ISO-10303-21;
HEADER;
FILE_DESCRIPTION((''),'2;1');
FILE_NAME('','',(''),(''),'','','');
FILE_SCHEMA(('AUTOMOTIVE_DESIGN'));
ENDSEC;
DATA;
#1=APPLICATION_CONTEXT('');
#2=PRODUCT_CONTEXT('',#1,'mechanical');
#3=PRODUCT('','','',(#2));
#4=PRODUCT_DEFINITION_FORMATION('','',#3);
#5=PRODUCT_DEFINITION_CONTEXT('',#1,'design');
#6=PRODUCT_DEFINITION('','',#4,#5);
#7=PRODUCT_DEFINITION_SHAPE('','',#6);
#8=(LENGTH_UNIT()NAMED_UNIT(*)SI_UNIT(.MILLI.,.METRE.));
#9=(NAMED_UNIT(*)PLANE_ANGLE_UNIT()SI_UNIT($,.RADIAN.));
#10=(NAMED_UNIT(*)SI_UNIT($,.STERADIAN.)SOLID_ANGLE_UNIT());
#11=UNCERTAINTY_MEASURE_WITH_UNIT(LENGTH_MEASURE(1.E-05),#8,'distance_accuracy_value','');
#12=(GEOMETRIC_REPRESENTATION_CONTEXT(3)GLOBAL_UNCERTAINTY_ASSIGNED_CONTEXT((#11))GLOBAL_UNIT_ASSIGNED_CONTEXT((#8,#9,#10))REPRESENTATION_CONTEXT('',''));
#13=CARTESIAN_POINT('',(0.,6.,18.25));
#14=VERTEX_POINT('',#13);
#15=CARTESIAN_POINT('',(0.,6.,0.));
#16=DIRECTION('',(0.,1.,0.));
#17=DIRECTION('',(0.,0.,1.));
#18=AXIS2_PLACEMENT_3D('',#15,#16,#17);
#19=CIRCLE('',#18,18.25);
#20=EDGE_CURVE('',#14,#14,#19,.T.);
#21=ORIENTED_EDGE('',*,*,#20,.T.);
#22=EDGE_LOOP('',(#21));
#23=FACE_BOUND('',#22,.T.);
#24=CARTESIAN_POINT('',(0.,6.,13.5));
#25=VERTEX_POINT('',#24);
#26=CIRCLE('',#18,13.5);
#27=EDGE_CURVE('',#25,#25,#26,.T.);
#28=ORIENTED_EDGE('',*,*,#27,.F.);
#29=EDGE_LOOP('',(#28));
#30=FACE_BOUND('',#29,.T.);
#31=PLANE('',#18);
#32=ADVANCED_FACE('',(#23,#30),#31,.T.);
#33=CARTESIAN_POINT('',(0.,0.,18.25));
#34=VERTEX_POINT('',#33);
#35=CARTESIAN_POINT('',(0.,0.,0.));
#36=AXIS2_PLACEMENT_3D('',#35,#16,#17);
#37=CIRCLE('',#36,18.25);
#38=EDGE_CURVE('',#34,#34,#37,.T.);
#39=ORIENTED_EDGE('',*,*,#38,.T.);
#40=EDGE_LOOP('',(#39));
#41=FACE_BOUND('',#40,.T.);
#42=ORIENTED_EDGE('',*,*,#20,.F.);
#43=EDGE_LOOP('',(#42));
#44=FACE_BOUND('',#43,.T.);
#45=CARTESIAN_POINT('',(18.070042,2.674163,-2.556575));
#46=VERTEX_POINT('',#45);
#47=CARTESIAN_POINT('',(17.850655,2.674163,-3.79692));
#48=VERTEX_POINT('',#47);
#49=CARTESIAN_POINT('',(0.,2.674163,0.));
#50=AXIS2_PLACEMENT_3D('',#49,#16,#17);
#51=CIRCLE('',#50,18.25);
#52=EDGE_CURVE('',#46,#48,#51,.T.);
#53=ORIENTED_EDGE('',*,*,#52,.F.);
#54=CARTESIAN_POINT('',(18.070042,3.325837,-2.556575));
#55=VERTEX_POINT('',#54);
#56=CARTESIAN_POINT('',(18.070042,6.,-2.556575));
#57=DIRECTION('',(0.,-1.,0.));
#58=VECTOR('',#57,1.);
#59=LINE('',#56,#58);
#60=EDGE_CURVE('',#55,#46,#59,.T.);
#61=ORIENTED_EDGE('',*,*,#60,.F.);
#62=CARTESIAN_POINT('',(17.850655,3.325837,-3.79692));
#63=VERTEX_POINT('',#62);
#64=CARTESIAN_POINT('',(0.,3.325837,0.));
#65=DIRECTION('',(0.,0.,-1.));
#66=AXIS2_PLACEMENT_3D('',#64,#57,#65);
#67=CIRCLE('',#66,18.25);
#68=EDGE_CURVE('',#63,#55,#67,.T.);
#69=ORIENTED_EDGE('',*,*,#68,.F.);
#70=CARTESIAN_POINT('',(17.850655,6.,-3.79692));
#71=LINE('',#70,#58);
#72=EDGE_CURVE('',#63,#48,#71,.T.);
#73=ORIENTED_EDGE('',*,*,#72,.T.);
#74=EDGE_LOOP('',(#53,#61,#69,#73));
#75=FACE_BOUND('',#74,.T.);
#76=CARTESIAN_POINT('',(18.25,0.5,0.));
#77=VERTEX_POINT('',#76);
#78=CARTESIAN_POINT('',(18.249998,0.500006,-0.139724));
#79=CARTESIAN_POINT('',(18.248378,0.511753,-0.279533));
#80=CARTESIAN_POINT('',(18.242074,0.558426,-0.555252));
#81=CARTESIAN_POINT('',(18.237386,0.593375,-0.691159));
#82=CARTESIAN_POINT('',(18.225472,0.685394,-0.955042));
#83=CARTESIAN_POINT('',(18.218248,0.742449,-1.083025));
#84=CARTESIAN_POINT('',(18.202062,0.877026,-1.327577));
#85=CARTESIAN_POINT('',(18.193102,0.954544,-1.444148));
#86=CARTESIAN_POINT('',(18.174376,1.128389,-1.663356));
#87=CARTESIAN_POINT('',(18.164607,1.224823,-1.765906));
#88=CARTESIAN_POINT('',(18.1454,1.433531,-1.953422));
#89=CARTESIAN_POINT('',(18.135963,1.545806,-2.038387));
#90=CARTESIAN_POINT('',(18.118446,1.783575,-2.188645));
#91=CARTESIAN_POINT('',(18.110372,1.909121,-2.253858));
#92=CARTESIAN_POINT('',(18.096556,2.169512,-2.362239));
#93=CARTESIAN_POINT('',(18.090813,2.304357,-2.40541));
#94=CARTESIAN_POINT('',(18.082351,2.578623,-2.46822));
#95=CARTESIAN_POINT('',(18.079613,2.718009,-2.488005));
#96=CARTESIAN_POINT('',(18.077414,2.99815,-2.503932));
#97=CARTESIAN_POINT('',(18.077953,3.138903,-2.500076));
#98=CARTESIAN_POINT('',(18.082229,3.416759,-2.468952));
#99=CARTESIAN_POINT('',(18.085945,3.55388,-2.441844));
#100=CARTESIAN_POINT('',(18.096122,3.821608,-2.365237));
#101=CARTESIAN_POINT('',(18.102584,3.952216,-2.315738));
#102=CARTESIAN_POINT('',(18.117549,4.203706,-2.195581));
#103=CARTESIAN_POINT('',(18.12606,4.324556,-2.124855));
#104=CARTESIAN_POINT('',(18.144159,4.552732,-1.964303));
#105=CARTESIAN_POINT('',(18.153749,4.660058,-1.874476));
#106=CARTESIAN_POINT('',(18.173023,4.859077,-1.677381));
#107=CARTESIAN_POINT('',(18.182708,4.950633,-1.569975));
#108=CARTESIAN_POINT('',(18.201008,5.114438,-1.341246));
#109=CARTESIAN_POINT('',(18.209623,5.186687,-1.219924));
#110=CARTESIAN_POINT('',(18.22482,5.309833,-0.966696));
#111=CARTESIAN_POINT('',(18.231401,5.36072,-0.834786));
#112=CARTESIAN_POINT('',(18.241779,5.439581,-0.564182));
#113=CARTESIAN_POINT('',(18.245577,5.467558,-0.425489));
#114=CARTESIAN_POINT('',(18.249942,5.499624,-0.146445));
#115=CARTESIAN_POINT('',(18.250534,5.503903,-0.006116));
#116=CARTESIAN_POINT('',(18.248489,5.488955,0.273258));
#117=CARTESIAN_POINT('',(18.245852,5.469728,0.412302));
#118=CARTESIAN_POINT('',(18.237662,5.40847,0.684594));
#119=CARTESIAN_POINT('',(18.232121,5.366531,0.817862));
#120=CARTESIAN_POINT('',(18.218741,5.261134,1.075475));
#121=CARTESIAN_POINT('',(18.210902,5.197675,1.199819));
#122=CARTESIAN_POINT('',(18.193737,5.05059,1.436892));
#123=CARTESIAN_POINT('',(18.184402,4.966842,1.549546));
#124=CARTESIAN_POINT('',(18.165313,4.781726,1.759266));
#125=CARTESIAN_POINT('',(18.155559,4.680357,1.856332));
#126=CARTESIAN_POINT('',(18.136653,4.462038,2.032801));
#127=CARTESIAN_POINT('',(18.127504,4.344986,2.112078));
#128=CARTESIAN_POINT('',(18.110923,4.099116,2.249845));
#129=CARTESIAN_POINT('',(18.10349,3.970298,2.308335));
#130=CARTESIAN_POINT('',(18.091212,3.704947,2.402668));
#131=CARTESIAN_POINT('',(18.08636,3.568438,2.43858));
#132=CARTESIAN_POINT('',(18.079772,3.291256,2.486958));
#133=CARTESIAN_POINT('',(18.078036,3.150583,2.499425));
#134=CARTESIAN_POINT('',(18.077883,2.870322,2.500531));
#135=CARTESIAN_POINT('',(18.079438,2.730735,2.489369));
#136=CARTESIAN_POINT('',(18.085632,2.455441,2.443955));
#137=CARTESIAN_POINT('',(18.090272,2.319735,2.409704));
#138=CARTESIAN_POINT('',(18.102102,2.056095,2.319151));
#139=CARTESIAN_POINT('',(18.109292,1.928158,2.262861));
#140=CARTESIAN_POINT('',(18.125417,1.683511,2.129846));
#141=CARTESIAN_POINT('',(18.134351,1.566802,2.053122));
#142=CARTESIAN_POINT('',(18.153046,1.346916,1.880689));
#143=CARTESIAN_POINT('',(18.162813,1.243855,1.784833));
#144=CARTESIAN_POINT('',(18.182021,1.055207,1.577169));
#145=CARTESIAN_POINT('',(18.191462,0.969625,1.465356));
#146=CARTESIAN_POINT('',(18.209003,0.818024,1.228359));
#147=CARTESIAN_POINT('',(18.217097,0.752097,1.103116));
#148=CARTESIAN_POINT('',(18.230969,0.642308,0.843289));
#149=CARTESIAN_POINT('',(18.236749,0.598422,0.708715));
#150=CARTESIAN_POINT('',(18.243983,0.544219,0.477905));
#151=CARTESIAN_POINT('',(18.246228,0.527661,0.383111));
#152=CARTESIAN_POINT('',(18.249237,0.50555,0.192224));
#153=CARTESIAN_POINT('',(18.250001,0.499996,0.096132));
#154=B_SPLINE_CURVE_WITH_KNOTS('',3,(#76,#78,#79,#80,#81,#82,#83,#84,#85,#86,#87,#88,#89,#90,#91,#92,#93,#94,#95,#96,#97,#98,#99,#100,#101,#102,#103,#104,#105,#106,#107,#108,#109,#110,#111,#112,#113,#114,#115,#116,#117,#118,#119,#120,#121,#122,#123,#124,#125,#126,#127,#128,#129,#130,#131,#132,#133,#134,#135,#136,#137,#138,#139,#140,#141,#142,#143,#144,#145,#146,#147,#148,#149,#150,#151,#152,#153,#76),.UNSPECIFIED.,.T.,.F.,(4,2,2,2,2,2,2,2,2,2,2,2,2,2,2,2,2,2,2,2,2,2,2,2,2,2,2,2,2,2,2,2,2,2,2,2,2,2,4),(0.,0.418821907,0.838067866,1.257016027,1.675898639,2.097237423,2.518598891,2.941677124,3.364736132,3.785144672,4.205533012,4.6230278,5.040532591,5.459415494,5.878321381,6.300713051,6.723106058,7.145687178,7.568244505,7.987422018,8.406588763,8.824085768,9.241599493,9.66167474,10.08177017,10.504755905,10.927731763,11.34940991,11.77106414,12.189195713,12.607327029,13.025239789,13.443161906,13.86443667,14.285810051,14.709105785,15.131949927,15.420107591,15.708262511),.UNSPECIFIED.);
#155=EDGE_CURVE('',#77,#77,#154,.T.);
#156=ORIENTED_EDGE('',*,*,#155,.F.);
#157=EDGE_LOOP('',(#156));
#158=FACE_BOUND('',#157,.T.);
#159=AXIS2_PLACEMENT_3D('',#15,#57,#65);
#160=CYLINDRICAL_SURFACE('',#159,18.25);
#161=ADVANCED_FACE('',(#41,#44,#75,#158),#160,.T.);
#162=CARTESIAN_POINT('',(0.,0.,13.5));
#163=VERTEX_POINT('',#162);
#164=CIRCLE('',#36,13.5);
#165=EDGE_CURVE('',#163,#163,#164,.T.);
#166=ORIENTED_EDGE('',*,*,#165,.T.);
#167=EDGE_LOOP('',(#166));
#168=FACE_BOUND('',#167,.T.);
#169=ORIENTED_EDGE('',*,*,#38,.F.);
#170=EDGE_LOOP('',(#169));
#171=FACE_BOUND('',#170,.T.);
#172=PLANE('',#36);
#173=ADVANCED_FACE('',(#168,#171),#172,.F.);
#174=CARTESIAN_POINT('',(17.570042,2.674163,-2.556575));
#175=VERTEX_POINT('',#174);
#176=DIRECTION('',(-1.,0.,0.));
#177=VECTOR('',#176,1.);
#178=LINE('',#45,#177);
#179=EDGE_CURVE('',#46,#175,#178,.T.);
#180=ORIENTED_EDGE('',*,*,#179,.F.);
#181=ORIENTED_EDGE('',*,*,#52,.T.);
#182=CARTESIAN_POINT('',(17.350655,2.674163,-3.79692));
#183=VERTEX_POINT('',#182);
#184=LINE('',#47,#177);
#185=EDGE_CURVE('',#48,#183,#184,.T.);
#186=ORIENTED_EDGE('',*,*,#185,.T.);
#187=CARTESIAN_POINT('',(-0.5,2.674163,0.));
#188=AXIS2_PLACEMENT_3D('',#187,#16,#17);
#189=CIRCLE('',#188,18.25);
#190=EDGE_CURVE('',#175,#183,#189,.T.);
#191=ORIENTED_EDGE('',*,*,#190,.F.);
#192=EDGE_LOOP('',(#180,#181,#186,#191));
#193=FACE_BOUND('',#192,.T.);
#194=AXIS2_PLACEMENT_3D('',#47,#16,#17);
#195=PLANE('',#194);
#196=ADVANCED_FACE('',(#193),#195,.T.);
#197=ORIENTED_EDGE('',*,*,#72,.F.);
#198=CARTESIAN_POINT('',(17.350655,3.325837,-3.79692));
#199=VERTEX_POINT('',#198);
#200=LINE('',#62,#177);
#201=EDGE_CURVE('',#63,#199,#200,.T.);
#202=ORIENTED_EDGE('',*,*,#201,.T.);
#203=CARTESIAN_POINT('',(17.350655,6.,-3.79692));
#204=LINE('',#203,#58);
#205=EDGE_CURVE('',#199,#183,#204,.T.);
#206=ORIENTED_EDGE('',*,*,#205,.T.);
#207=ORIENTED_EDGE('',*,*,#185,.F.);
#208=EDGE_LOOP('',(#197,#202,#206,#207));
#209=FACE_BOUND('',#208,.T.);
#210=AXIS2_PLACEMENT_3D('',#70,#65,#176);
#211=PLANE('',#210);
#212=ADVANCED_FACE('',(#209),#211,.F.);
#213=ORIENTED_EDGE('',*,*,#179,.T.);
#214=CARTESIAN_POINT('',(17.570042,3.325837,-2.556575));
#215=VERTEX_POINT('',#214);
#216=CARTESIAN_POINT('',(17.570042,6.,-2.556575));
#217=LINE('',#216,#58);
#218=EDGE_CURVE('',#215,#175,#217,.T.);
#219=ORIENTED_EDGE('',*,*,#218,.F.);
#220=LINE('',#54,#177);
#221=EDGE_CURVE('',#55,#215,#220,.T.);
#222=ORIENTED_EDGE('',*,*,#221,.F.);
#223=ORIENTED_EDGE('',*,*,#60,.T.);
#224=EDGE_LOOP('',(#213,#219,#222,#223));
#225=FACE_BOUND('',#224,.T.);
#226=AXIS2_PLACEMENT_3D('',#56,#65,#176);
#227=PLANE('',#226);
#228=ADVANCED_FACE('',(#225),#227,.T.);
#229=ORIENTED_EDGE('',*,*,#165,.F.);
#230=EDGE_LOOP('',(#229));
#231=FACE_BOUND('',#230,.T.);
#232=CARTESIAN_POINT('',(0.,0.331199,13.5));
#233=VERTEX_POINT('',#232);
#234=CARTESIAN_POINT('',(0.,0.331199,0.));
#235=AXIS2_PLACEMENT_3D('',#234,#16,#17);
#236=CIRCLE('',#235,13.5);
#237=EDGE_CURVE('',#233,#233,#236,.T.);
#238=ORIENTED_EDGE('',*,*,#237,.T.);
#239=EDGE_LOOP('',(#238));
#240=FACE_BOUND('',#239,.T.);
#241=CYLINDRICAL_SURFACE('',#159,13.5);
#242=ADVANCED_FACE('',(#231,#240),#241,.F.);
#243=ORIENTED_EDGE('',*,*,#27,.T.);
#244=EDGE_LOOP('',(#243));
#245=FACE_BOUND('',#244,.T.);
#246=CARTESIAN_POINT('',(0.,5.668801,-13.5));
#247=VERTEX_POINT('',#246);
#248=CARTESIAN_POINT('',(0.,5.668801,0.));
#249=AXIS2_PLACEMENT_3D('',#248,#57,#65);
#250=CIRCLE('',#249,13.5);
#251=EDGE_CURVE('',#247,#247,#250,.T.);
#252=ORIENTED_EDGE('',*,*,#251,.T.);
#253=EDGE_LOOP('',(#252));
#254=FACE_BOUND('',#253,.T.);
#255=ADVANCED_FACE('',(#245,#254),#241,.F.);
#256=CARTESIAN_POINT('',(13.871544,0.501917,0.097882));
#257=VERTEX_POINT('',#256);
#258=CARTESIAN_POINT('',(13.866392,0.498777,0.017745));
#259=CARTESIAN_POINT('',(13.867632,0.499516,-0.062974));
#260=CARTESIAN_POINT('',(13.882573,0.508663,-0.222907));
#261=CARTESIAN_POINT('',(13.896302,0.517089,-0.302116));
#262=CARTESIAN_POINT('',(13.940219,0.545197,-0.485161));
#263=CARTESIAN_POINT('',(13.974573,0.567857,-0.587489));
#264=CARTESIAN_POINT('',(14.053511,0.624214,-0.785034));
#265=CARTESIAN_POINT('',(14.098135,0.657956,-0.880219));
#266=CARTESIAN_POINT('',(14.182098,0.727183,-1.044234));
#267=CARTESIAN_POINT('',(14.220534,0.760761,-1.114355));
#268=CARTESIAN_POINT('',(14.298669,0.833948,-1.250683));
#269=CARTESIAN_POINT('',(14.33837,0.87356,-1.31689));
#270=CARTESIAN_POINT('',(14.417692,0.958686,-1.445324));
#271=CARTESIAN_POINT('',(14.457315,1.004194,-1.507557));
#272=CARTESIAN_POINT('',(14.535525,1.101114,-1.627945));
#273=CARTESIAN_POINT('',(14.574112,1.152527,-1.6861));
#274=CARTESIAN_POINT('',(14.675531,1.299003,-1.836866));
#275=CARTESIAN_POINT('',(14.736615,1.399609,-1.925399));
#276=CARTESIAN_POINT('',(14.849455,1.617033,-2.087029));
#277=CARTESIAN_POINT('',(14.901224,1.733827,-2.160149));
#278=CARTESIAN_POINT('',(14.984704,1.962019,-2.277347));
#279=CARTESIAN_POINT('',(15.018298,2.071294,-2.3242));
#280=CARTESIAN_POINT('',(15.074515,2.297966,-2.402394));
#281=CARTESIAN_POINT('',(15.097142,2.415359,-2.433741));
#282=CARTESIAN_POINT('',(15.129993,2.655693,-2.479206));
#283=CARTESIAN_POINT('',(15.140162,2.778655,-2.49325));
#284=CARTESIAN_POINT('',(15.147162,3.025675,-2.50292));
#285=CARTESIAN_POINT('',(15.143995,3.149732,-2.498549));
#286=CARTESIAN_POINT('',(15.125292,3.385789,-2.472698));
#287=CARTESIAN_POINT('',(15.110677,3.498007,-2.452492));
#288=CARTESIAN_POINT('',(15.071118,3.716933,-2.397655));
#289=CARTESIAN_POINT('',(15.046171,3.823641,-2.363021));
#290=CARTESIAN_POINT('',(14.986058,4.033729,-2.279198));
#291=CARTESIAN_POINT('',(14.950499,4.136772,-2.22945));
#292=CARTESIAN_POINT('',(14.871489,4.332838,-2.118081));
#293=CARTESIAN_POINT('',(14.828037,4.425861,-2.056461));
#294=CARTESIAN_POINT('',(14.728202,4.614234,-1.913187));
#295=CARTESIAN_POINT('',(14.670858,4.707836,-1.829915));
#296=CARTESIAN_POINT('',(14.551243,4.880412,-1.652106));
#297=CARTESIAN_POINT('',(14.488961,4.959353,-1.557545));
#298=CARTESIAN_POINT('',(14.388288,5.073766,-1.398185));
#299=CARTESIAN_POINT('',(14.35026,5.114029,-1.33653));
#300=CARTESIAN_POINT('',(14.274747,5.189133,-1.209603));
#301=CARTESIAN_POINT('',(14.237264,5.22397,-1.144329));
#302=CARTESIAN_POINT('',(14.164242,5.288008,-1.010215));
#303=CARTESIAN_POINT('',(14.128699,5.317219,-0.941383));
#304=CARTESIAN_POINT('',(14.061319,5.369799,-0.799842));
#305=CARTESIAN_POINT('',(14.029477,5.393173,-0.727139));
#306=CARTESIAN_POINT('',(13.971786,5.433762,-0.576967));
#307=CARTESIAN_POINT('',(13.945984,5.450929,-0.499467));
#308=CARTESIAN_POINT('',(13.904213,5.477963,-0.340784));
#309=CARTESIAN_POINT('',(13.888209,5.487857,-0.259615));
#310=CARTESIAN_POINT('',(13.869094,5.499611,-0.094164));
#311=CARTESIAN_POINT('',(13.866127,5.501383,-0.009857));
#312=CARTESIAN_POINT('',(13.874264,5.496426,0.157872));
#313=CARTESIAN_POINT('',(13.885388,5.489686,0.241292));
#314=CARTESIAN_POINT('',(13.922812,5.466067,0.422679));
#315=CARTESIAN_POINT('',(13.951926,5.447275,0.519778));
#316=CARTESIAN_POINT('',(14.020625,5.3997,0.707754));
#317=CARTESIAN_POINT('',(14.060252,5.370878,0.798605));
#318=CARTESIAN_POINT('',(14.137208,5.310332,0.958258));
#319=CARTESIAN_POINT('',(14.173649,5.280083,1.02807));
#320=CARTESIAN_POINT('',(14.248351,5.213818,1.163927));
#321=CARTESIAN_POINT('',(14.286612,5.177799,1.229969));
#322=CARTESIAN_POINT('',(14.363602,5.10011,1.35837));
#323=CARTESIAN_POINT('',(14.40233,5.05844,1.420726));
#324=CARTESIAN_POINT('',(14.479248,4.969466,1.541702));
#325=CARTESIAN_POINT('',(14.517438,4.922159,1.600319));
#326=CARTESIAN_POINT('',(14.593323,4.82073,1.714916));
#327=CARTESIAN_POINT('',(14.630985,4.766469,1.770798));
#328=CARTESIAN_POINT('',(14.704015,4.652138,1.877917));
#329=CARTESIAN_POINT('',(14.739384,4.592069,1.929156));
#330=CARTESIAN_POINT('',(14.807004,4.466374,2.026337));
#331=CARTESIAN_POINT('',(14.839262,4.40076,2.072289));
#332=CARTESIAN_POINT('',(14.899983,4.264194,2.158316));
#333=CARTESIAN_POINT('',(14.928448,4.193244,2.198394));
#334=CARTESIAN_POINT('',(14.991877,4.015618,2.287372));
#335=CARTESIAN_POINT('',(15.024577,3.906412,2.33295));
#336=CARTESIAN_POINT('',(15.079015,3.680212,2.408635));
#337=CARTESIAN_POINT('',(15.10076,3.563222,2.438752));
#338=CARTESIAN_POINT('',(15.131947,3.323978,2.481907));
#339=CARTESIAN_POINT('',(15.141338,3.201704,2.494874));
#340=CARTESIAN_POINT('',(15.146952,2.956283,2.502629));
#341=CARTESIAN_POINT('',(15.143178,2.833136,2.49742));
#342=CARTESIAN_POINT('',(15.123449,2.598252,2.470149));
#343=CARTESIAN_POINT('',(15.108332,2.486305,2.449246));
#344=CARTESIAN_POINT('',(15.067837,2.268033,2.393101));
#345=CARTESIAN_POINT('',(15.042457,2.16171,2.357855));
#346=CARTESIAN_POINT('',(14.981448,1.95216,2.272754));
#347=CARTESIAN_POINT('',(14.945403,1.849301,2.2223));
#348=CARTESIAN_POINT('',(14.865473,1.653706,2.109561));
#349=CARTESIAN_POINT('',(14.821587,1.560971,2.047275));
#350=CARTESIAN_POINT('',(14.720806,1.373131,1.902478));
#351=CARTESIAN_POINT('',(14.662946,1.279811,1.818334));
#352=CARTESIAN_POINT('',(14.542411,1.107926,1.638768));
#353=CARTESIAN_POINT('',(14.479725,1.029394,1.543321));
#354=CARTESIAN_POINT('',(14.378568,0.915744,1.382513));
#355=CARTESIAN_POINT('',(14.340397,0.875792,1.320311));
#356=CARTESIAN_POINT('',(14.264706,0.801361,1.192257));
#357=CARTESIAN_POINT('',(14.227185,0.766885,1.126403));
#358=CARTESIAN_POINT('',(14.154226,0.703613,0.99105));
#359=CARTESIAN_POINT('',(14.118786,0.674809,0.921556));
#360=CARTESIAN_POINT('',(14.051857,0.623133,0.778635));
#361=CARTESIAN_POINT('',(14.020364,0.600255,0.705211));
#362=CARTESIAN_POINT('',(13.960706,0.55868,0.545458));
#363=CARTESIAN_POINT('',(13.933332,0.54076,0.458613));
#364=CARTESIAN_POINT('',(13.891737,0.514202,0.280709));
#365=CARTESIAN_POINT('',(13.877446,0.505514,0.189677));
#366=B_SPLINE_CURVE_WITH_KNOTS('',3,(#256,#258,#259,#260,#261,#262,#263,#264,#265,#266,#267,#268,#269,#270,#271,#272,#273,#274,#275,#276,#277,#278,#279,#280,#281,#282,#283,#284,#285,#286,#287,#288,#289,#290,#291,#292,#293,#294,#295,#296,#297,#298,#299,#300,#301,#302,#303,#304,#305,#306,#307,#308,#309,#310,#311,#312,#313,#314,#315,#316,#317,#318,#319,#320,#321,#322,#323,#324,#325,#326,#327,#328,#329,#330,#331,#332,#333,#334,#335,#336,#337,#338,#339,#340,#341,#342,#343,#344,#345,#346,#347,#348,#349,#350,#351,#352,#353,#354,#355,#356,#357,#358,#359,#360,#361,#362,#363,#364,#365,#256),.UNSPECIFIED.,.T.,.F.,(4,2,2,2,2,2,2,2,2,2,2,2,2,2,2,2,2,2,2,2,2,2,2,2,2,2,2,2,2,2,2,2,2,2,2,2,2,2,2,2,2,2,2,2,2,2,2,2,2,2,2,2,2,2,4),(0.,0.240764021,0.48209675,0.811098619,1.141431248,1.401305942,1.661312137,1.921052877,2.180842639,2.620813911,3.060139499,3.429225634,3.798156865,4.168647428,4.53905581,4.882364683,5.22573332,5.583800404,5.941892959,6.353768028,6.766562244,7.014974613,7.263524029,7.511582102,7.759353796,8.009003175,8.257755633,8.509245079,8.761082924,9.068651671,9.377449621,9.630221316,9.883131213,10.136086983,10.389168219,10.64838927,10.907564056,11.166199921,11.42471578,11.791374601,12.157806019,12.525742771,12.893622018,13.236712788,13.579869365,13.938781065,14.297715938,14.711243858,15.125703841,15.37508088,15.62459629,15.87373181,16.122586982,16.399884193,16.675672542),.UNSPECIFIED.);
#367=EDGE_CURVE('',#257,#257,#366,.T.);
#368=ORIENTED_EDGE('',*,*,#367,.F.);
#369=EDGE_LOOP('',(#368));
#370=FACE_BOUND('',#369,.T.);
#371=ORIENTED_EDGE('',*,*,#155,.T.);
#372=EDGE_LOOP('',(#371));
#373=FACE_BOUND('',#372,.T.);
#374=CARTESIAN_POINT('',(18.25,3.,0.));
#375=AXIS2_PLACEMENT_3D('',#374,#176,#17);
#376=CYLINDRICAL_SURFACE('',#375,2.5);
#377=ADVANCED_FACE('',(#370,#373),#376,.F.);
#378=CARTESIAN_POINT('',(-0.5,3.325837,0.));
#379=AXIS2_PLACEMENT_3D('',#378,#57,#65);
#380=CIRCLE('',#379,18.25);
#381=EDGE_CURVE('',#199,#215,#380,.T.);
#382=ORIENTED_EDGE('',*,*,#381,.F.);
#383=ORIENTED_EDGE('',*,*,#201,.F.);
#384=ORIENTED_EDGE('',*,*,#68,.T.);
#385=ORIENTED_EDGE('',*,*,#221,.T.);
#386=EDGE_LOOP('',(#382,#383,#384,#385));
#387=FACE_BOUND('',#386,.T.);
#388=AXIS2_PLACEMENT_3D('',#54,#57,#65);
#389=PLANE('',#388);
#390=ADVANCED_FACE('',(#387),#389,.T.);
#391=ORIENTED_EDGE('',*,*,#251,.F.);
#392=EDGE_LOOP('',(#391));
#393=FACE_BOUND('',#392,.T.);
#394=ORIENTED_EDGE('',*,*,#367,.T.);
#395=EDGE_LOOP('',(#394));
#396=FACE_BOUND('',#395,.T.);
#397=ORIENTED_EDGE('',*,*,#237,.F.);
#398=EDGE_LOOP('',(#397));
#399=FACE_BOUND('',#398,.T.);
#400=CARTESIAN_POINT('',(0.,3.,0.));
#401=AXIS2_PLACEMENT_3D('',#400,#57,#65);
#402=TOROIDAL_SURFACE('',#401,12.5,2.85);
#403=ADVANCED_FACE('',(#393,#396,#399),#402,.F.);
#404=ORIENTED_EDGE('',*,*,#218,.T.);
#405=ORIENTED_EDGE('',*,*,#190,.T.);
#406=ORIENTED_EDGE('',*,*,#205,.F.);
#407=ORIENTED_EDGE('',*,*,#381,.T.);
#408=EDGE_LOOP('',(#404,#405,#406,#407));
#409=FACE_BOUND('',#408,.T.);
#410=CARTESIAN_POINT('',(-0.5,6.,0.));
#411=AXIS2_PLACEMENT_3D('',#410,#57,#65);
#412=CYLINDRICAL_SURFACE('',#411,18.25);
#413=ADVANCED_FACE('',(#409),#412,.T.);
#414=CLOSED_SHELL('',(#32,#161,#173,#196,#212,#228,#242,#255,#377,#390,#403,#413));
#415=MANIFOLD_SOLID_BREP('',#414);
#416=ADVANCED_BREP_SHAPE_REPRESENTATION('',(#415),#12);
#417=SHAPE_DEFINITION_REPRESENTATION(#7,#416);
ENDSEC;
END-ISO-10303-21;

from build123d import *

# Parameters (mm, degrees)
SKETCH1_R                 = 18.25
SKETCH1_R_2               = 13.5
BOSS_EXTRUDE1_DEPTH       = 6
SKETCH3_R                 = 2.85
SKETCH4_R                 = 2.5
CUT_EXTRUDE1_DEPTH        = 27.497641404
CUT_EXTRUDE1_DEPTH_BACK   = 10
CUT_EXTRUDE2_REACH        = 28.998
CUT_EXTRUDE2_START_RADIUS = 18.25
CUT_EXTRUDE2_END_RADIUS   = 18.25
SKETCH6_W                 = 1.240344628
SKETCH6_H                 = 0.651674146


with BuildPart() as part:
    # Sketch1 → Boss-Extrude1 (new body)
    with BuildSketch(Plane(origin=(0, 0, 0), x_dir=(1, 0, 0), z_dir=(0, 1, 0))):
        with Locations(Location((0, 0, 0), (0, 0, 270))):
            Circle(SKETCH1_R)
        with Locations(Location((0, 0, 0), (0, 0, 270))):
            Circle(SKETCH1_R_2, mode=Mode.SUBTRACT)
    extrude(amount=BOSS_EXTRUDE1_DEPTH)

    # Sketch3 → Cut-Revolve1 (revolve, cut)
    with BuildSketch(Plane.XY, mode=Mode.PRIVATE) as cut_revolve1_sk:
        with Locations((-12.5, 3)):
            Circle(SKETCH3_R)
    revolve(cut_revolve1_sk.sketch.rotate(Axis((0, 0, 0), (0, 1, 0)), 270), axis=Axis((0, 0, 0), (0, 1, 0)), mode=Mode.SUBTRACT)

    # Sketch4 → Cut-Extrude1 (cut, two sides)
    with BuildSketch(Plane(origin=(0, 0, 0), x_dir=(0, 0, -1), z_dir=(1, 0, 0))) as cut_extrude1_sk:
        with Locations(Location((0, 3, 0), (0, 0, 267.756136347))):
            Circle(SKETCH4_R)
    extrude(amount=CUT_EXTRUDE1_DEPTH, mode=Mode.SUBTRACT)
    extrude(cut_extrude1_sk.sketch, amount=-CUT_EXTRUDE1_DEPTH_BACK, mode=Mode.SUBTRACT)

    # Cut-Extrude2: from a cylinder face, 28.998 long prism both ways, kept between that surface and its translate by the depth
    cut_extrude2_start = Plane(origin=(0, 3, 0), z_dir=(0, -1, 0)) * Cylinder(CUT_EXTRUDE2_START_RADIUS, 95.496, mode=Mode.PRIVATE)
    cut_extrude2_end = Plane(origin=(-0.5, 3, 0), z_dir=(0, -1, 0)) * Cylinder(CUT_EXTRUDE2_END_RADIUS, 95.496, mode=Mode.PRIVATE)
    # Sketch6 → Cut-Extrude2 (cut, from a surface)
    with BuildSketch(Plane(origin=(0, 0, 0), x_dir=(0, 0, -1), z_dir=(1, 0, 0)), mode=Mode.PRIVATE) as cut_extrude2_sk1:
        with Locations((3.176747556, 3)):
            Rectangle(SKETCH6_W, SKETCH6_H)
    cut_extrude2_tool1 = extrude(cut_extrude2_sk1.sketch, amount=CUT_EXTRUDE2_REACH, both=True, mode=Mode.PRIVATE)
    add(((cut_extrude2_tool1 & cut_extrude2_start) - cut_extrude2_end).solids().sort_by_distance((17.710349, 3, -3.176748))[0], mode=Mode.SUBTRACT)


solid = part.part
